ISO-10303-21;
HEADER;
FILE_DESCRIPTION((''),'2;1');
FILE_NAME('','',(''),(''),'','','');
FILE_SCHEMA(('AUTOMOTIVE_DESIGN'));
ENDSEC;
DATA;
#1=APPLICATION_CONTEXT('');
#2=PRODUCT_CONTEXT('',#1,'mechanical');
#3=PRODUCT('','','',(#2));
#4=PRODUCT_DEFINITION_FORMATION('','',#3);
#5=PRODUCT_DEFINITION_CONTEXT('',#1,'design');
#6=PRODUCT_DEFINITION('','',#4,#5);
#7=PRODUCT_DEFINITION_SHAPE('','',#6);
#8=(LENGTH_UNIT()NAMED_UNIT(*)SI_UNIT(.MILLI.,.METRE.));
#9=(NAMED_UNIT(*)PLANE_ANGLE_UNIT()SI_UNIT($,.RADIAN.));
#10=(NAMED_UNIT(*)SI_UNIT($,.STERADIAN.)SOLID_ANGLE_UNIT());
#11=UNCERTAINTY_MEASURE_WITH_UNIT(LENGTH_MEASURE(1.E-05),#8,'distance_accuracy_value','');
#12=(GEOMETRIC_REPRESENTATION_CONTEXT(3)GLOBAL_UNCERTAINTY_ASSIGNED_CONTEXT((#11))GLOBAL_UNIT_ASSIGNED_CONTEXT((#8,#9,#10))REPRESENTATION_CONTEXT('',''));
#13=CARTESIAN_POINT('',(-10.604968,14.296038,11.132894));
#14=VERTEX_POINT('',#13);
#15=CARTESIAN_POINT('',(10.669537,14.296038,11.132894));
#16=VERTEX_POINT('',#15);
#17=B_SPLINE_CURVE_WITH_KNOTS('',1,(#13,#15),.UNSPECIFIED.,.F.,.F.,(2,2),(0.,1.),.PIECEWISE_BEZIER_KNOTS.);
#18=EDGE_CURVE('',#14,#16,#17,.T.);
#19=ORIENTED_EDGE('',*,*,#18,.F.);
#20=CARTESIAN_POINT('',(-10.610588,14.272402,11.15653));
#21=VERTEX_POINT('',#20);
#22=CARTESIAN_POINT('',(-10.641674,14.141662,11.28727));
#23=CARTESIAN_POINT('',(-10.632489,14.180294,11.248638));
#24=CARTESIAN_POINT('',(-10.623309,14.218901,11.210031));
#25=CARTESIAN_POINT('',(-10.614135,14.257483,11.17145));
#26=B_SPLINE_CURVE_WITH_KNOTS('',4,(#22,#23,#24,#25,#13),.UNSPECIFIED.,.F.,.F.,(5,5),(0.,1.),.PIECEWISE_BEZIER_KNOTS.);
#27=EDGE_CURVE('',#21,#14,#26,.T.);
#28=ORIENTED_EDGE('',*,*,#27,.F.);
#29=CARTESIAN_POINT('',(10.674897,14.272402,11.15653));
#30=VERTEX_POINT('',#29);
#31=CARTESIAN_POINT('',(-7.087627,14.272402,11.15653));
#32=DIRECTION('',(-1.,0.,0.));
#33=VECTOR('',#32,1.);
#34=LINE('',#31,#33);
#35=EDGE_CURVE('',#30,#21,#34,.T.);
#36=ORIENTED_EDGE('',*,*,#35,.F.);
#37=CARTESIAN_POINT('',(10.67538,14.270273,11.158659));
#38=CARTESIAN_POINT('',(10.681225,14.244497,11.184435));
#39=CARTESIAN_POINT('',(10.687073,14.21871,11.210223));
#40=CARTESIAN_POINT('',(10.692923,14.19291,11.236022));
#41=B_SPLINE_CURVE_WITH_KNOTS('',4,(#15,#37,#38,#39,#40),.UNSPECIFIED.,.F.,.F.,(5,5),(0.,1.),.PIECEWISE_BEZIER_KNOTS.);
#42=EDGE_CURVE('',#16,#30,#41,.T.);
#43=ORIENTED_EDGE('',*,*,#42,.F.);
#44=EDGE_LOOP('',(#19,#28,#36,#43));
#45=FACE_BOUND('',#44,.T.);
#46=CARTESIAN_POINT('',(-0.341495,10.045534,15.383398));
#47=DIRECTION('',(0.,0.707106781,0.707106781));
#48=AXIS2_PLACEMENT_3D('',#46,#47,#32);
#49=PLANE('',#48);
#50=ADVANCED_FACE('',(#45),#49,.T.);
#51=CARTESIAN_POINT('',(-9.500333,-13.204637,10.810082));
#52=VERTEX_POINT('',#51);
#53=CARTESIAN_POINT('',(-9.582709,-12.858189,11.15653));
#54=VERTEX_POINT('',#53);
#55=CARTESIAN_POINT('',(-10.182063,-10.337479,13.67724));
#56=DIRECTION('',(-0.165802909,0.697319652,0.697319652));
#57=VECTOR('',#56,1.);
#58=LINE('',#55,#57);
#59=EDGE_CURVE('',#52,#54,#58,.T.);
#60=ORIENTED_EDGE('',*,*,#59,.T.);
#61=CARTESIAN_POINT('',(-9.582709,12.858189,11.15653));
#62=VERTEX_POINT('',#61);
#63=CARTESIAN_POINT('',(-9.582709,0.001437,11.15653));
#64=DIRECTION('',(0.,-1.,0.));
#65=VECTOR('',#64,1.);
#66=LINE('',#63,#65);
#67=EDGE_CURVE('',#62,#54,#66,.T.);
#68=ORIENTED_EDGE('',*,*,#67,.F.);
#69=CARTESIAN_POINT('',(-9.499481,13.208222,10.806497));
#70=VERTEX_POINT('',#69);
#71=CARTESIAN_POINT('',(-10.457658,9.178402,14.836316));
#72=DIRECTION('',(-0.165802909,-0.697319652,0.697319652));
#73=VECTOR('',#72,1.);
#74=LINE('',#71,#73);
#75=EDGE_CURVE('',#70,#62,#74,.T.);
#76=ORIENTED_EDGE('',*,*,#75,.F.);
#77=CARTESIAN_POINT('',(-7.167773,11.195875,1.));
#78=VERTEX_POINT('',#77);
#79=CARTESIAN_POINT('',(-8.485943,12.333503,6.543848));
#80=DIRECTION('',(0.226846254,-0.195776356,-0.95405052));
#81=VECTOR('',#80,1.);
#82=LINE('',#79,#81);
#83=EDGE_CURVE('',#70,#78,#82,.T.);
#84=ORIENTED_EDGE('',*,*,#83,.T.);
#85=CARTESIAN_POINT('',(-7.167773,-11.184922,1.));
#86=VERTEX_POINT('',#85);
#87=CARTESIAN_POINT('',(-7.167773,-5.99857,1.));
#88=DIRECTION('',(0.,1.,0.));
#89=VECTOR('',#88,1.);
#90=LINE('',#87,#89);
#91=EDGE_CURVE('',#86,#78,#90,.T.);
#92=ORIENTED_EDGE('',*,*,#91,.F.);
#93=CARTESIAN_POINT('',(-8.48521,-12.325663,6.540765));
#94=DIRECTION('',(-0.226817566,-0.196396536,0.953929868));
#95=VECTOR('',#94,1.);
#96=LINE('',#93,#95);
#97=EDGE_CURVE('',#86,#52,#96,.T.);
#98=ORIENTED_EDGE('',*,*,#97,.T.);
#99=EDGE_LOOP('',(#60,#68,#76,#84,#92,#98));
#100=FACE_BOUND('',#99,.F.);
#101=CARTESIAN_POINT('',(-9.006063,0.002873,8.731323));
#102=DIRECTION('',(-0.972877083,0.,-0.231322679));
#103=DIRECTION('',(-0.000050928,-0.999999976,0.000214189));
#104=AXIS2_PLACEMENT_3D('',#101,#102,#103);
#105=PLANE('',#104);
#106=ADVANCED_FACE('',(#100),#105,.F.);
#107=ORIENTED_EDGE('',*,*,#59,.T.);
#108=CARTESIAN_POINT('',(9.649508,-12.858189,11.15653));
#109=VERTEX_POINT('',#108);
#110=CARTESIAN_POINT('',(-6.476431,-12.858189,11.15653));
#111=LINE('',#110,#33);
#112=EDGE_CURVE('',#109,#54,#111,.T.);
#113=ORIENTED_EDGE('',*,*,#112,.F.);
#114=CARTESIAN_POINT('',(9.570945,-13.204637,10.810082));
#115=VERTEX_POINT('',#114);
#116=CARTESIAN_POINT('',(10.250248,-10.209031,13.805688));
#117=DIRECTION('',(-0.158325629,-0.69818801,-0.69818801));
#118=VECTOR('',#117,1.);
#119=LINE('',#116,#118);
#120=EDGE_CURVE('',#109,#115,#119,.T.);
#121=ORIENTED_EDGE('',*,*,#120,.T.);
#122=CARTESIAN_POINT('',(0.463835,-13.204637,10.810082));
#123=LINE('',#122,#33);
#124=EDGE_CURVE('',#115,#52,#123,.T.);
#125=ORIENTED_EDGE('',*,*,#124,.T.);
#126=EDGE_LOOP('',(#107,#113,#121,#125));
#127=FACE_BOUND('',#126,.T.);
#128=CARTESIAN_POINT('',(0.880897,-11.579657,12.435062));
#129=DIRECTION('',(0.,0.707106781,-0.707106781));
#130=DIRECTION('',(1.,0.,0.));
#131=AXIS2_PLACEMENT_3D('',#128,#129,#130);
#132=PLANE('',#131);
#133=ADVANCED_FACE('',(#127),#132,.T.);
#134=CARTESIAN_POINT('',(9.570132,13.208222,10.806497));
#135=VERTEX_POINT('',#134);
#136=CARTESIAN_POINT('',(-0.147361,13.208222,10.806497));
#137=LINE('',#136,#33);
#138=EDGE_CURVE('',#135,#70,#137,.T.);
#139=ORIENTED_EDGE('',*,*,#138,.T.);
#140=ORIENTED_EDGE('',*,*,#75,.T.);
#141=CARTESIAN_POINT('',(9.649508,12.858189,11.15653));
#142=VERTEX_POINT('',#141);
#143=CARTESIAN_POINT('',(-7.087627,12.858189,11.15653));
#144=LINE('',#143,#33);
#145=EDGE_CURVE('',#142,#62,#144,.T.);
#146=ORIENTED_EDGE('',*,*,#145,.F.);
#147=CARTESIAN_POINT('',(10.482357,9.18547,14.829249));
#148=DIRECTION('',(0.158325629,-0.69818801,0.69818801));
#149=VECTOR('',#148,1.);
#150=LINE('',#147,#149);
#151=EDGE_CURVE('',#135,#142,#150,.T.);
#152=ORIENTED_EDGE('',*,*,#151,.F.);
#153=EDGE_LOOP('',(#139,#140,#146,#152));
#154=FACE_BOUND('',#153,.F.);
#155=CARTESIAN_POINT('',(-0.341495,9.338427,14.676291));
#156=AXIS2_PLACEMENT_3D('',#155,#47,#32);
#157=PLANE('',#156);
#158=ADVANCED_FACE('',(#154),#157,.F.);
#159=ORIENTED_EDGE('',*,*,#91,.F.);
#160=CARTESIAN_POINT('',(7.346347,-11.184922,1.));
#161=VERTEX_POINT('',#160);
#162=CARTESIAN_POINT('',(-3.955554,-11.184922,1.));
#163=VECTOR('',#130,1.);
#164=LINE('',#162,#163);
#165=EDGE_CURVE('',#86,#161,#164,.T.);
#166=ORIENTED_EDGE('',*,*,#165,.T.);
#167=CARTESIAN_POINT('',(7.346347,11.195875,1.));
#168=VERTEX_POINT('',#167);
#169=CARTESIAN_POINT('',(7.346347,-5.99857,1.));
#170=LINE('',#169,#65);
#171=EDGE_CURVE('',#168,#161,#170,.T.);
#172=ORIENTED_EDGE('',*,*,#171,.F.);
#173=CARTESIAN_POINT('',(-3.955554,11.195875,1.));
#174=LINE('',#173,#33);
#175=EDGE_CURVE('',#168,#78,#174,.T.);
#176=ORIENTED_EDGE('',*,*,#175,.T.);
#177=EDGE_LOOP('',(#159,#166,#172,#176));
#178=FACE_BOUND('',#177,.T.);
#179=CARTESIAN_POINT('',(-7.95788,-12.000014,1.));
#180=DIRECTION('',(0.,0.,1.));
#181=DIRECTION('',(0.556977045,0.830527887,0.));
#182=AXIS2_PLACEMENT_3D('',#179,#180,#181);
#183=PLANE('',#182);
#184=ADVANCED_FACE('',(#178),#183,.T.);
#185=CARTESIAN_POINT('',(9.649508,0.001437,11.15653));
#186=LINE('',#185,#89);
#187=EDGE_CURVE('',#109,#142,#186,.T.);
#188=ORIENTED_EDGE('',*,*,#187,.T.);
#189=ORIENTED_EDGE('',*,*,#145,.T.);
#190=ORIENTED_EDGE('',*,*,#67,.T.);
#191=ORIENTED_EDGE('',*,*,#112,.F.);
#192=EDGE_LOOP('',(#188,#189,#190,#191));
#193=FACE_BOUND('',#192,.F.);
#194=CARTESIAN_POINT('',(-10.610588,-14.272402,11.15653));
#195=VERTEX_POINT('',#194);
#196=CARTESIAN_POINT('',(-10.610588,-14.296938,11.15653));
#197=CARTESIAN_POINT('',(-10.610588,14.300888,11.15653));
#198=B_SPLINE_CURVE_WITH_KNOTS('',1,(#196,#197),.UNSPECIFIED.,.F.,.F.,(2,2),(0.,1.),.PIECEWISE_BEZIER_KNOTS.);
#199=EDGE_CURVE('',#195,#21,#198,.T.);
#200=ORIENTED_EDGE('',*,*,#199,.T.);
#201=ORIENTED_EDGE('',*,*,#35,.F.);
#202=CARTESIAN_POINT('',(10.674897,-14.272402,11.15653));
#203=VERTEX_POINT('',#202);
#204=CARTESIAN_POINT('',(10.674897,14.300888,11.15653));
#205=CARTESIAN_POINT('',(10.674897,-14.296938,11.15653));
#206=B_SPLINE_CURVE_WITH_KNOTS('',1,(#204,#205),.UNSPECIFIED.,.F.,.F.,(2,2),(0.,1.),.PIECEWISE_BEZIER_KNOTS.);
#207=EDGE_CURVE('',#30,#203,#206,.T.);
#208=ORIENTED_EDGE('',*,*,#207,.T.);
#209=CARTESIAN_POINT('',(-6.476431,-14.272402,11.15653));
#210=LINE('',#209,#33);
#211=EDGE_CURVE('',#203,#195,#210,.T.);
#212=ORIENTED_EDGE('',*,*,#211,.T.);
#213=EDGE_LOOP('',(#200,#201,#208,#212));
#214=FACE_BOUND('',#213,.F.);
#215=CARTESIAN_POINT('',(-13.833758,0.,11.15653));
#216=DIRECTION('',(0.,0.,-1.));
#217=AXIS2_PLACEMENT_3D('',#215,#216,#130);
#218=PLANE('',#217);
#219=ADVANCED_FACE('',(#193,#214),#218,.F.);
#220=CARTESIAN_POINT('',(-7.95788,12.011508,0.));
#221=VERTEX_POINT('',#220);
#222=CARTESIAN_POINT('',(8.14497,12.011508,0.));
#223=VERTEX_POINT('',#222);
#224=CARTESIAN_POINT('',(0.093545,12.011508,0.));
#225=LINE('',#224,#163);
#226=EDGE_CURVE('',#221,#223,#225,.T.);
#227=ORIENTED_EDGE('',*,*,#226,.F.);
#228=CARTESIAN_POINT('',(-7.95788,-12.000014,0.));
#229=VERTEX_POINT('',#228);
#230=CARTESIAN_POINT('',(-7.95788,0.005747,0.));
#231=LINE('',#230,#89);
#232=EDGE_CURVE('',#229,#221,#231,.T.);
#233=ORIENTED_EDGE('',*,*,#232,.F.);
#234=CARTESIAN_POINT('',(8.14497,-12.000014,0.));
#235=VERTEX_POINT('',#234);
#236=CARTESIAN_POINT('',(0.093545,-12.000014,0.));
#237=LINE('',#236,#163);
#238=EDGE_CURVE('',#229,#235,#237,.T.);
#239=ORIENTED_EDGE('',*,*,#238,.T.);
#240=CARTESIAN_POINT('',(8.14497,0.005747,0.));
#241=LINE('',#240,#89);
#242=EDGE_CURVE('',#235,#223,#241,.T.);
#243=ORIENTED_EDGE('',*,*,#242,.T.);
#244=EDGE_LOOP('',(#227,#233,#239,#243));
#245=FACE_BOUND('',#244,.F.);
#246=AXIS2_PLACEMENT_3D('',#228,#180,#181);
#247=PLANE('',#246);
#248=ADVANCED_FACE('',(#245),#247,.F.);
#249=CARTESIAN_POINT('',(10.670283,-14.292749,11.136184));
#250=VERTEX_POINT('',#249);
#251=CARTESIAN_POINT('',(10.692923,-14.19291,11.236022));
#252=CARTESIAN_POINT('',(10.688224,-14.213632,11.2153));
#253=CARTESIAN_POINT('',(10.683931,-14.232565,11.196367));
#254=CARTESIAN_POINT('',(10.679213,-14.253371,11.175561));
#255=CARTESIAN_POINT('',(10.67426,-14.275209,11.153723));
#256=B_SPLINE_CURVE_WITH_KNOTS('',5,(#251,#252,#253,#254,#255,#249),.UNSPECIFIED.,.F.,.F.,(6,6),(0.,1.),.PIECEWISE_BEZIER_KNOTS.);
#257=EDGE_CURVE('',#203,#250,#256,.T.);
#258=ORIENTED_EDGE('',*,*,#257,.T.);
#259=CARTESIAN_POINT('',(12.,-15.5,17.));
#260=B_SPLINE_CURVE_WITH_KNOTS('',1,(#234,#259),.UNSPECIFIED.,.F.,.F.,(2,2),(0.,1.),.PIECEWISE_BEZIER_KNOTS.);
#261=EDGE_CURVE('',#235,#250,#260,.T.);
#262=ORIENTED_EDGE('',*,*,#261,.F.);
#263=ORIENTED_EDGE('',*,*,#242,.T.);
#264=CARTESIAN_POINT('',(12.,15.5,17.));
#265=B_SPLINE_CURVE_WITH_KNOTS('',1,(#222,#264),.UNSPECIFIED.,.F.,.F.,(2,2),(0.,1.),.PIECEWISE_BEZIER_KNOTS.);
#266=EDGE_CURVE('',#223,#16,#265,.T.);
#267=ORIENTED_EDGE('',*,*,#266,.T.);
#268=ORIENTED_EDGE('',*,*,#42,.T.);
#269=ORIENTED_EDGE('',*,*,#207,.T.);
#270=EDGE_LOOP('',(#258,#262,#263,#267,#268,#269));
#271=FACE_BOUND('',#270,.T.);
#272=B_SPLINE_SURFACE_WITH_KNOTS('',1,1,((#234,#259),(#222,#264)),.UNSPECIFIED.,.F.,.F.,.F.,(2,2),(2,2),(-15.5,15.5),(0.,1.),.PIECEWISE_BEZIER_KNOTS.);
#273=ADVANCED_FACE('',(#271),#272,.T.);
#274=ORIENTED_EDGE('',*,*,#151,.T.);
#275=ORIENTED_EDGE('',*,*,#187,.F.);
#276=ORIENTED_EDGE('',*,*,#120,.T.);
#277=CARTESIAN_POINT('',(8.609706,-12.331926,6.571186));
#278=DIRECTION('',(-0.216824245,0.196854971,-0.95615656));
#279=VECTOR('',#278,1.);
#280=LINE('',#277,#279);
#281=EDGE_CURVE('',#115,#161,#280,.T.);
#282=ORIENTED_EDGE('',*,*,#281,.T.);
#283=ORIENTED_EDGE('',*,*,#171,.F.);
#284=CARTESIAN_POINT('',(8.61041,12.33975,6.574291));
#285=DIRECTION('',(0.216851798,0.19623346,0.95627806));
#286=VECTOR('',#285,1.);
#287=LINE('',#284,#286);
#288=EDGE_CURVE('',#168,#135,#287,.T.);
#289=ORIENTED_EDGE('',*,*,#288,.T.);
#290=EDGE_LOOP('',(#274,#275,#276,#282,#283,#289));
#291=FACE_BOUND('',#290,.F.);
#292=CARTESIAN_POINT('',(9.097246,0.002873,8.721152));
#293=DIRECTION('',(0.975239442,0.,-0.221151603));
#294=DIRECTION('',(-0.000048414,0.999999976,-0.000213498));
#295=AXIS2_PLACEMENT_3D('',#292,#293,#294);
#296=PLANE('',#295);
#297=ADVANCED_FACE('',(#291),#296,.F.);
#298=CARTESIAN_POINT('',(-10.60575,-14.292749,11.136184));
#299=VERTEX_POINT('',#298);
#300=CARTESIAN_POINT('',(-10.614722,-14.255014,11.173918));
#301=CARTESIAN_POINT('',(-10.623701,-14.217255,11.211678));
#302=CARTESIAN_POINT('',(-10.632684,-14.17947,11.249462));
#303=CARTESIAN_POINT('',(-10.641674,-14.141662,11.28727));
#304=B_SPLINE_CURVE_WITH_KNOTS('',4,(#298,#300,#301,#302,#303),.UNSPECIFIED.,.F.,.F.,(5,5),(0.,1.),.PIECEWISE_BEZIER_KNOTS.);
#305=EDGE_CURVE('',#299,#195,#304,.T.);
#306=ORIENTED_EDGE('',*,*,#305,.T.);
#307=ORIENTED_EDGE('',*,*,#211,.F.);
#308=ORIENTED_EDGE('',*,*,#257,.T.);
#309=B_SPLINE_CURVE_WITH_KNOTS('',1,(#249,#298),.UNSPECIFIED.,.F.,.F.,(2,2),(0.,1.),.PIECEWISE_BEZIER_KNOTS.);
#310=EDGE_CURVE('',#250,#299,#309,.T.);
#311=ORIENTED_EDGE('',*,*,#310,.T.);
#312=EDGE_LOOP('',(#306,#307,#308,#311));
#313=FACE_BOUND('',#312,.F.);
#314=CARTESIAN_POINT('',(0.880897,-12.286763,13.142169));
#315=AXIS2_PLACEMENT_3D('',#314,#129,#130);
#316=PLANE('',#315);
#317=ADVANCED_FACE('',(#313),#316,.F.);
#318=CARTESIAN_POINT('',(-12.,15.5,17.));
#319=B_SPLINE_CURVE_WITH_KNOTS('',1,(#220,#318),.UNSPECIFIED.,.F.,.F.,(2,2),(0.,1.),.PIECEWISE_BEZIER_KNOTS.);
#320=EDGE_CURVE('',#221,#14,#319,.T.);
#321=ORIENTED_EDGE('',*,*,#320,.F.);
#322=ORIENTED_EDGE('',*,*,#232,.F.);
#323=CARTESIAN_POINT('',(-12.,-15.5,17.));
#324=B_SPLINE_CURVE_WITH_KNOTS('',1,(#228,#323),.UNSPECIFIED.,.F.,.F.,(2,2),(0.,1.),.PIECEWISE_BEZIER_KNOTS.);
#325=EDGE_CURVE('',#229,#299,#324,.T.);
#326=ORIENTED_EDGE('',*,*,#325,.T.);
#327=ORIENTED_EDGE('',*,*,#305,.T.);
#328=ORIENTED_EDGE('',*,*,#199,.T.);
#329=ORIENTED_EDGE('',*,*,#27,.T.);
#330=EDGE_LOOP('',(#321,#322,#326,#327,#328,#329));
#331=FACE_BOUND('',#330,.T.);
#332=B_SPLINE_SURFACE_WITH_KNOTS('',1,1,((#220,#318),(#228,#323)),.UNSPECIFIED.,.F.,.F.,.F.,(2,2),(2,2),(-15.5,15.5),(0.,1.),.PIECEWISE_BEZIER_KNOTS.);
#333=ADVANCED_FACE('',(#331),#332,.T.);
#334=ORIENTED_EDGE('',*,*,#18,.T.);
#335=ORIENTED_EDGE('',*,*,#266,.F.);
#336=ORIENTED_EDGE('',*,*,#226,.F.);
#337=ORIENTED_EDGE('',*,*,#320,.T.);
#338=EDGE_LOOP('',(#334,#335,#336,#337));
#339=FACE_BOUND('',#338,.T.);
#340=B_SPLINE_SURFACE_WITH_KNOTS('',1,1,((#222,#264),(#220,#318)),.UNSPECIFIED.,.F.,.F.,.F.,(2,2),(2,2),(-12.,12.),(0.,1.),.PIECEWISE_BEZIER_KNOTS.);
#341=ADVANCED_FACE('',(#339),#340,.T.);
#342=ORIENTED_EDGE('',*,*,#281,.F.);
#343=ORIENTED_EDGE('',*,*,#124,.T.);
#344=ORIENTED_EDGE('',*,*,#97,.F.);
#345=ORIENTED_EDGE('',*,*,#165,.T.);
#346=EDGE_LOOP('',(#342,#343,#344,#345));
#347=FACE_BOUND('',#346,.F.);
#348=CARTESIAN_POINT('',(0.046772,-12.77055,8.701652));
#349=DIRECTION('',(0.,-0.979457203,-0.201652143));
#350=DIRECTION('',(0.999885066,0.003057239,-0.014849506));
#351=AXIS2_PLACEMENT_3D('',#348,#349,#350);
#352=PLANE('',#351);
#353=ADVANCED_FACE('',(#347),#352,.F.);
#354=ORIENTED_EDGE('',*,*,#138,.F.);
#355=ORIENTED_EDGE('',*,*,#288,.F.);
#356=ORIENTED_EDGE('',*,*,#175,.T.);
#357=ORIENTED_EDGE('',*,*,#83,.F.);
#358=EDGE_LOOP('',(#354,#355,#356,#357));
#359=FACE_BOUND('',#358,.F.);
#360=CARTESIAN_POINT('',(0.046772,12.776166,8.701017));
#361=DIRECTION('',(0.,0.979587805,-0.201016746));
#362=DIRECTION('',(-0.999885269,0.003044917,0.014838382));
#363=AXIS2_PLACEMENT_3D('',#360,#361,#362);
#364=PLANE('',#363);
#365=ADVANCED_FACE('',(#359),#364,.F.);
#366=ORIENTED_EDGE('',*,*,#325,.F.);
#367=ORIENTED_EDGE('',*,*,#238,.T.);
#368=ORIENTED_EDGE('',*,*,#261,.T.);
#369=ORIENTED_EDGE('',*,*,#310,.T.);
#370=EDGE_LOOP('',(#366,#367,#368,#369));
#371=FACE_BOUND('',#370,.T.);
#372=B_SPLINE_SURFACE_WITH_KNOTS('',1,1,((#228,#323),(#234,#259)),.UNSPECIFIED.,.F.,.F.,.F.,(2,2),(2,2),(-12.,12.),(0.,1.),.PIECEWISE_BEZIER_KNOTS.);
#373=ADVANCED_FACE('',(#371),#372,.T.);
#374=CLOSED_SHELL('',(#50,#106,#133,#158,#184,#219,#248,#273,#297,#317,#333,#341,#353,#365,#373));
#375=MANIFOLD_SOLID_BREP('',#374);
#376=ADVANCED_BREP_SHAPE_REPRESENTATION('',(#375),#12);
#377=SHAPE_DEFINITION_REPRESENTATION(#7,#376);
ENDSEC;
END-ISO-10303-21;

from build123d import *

# Parameters (mm, degrees)
F0_W      = 16.1028504372
F0_H      = 24.0115216002
F2_W      = 24
F2_H      = 31
F5_W      = 14.02631565
F5_H      = 35.0832007825
F6_DEPTH  = 5
F8_W      = 36.7084983736
F8_H      = 15.6723505352
F9_DEPTH  = 5
F11_W     = 29.3105235323
F11_H     = 18.8404771034
F12_DEPTH = 5
F14_W     = 31.5226018429
F14_H     = 13.2806529291
F15_DEPTH = 5
F16_W     = 24.9057402834
F16_H     = 7.8468071297
F17_DEPTH = 25.4
F18_T     = -1


with BuildPart() as f3:
    # F0 (on Top) → F3 section 0
    with BuildSketch(Plane.XY):
        with Locations((0.0935448334, 0.0057467259)):
            Rectangle(F0_W, F0_H)
    # F2 (on offset) → F3 section 1
    with BuildSketch(Plane.XY.offset(17)):
        Rectangle(F2_W, F2_H)
    loft()

    # F5 (on face) → F6 (cut)
    with BuildSketch(Plane(origin=(-14.5, 0, 14.5), x_dir=(0.7071067812, 0, 0.7071067812), z_dir=(0.7071067812, 0, -0.7071067812))):
        with Locations((2.1269769641, -0.2655759454)):
            Rectangle(F5_W, F5_H)
    extrude(amount=F6_DEPTH, mode=Mode.SUBTRACT)

    # F8 (on face) → F9 (cut)
    with BuildSketch(Plane(origin=(14.5, 0, 14.5), x_dir=(0, 1, 0), z_dir=(0.7071067812, 0, 0.7071067812))):
        with Locations((-0.0566011295, 4.1208126349)):
            Rectangle(F8_W, F8_H)
    extrude(amount=-F9_DEPTH, mode=Mode.SUBTRACT)

    # F11 (on face) → F12 (cut)
    with BuildSketch(Plane(origin=(0, 16.25, 16.25), x_dir=(-1, 0, 0), z_dir=(0, 0.7071067812, 0.7071067812))):
        with Locations((0.3414950334, 3.7744397996)):
            Rectangle(F11_W, F11_H)
    extrude(amount=-F12_DEPTH, mode=Mode.SUBTRACT)

    # F14 (on face) → F15 (cut)
    with BuildSketch(Plane(origin=(0, -16.25, 16.25), x_dir=(1, 0, 0), z_dir=(0, 0.7071067812, -0.7071067812))):
        with Locations((0.8808970451, -0.6048630457)):
            Rectangle(F14_W, F14_H)
    extrude(amount=F15_DEPTH, mode=Mode.SUBTRACT)

    # F16 (on Front) → F17 (cut, symmetric)
    with BuildSketch(Plane.XZ):
        with Locations((-1.3808882795, 15.0799336843)):
            Rectangle(F16_W, F16_H)
    extrude(amount=F17_DEPTH, both=True, mode=Mode.SUBTRACT)

    # F18
    f18_openings = [f3.faces().sort_by_distance(p)[0] for p in [
        (0.032154, 0, 11.15653),
    ]]
    offset(amount=F18_T, openings=f18_openings)


solid = f3.part
